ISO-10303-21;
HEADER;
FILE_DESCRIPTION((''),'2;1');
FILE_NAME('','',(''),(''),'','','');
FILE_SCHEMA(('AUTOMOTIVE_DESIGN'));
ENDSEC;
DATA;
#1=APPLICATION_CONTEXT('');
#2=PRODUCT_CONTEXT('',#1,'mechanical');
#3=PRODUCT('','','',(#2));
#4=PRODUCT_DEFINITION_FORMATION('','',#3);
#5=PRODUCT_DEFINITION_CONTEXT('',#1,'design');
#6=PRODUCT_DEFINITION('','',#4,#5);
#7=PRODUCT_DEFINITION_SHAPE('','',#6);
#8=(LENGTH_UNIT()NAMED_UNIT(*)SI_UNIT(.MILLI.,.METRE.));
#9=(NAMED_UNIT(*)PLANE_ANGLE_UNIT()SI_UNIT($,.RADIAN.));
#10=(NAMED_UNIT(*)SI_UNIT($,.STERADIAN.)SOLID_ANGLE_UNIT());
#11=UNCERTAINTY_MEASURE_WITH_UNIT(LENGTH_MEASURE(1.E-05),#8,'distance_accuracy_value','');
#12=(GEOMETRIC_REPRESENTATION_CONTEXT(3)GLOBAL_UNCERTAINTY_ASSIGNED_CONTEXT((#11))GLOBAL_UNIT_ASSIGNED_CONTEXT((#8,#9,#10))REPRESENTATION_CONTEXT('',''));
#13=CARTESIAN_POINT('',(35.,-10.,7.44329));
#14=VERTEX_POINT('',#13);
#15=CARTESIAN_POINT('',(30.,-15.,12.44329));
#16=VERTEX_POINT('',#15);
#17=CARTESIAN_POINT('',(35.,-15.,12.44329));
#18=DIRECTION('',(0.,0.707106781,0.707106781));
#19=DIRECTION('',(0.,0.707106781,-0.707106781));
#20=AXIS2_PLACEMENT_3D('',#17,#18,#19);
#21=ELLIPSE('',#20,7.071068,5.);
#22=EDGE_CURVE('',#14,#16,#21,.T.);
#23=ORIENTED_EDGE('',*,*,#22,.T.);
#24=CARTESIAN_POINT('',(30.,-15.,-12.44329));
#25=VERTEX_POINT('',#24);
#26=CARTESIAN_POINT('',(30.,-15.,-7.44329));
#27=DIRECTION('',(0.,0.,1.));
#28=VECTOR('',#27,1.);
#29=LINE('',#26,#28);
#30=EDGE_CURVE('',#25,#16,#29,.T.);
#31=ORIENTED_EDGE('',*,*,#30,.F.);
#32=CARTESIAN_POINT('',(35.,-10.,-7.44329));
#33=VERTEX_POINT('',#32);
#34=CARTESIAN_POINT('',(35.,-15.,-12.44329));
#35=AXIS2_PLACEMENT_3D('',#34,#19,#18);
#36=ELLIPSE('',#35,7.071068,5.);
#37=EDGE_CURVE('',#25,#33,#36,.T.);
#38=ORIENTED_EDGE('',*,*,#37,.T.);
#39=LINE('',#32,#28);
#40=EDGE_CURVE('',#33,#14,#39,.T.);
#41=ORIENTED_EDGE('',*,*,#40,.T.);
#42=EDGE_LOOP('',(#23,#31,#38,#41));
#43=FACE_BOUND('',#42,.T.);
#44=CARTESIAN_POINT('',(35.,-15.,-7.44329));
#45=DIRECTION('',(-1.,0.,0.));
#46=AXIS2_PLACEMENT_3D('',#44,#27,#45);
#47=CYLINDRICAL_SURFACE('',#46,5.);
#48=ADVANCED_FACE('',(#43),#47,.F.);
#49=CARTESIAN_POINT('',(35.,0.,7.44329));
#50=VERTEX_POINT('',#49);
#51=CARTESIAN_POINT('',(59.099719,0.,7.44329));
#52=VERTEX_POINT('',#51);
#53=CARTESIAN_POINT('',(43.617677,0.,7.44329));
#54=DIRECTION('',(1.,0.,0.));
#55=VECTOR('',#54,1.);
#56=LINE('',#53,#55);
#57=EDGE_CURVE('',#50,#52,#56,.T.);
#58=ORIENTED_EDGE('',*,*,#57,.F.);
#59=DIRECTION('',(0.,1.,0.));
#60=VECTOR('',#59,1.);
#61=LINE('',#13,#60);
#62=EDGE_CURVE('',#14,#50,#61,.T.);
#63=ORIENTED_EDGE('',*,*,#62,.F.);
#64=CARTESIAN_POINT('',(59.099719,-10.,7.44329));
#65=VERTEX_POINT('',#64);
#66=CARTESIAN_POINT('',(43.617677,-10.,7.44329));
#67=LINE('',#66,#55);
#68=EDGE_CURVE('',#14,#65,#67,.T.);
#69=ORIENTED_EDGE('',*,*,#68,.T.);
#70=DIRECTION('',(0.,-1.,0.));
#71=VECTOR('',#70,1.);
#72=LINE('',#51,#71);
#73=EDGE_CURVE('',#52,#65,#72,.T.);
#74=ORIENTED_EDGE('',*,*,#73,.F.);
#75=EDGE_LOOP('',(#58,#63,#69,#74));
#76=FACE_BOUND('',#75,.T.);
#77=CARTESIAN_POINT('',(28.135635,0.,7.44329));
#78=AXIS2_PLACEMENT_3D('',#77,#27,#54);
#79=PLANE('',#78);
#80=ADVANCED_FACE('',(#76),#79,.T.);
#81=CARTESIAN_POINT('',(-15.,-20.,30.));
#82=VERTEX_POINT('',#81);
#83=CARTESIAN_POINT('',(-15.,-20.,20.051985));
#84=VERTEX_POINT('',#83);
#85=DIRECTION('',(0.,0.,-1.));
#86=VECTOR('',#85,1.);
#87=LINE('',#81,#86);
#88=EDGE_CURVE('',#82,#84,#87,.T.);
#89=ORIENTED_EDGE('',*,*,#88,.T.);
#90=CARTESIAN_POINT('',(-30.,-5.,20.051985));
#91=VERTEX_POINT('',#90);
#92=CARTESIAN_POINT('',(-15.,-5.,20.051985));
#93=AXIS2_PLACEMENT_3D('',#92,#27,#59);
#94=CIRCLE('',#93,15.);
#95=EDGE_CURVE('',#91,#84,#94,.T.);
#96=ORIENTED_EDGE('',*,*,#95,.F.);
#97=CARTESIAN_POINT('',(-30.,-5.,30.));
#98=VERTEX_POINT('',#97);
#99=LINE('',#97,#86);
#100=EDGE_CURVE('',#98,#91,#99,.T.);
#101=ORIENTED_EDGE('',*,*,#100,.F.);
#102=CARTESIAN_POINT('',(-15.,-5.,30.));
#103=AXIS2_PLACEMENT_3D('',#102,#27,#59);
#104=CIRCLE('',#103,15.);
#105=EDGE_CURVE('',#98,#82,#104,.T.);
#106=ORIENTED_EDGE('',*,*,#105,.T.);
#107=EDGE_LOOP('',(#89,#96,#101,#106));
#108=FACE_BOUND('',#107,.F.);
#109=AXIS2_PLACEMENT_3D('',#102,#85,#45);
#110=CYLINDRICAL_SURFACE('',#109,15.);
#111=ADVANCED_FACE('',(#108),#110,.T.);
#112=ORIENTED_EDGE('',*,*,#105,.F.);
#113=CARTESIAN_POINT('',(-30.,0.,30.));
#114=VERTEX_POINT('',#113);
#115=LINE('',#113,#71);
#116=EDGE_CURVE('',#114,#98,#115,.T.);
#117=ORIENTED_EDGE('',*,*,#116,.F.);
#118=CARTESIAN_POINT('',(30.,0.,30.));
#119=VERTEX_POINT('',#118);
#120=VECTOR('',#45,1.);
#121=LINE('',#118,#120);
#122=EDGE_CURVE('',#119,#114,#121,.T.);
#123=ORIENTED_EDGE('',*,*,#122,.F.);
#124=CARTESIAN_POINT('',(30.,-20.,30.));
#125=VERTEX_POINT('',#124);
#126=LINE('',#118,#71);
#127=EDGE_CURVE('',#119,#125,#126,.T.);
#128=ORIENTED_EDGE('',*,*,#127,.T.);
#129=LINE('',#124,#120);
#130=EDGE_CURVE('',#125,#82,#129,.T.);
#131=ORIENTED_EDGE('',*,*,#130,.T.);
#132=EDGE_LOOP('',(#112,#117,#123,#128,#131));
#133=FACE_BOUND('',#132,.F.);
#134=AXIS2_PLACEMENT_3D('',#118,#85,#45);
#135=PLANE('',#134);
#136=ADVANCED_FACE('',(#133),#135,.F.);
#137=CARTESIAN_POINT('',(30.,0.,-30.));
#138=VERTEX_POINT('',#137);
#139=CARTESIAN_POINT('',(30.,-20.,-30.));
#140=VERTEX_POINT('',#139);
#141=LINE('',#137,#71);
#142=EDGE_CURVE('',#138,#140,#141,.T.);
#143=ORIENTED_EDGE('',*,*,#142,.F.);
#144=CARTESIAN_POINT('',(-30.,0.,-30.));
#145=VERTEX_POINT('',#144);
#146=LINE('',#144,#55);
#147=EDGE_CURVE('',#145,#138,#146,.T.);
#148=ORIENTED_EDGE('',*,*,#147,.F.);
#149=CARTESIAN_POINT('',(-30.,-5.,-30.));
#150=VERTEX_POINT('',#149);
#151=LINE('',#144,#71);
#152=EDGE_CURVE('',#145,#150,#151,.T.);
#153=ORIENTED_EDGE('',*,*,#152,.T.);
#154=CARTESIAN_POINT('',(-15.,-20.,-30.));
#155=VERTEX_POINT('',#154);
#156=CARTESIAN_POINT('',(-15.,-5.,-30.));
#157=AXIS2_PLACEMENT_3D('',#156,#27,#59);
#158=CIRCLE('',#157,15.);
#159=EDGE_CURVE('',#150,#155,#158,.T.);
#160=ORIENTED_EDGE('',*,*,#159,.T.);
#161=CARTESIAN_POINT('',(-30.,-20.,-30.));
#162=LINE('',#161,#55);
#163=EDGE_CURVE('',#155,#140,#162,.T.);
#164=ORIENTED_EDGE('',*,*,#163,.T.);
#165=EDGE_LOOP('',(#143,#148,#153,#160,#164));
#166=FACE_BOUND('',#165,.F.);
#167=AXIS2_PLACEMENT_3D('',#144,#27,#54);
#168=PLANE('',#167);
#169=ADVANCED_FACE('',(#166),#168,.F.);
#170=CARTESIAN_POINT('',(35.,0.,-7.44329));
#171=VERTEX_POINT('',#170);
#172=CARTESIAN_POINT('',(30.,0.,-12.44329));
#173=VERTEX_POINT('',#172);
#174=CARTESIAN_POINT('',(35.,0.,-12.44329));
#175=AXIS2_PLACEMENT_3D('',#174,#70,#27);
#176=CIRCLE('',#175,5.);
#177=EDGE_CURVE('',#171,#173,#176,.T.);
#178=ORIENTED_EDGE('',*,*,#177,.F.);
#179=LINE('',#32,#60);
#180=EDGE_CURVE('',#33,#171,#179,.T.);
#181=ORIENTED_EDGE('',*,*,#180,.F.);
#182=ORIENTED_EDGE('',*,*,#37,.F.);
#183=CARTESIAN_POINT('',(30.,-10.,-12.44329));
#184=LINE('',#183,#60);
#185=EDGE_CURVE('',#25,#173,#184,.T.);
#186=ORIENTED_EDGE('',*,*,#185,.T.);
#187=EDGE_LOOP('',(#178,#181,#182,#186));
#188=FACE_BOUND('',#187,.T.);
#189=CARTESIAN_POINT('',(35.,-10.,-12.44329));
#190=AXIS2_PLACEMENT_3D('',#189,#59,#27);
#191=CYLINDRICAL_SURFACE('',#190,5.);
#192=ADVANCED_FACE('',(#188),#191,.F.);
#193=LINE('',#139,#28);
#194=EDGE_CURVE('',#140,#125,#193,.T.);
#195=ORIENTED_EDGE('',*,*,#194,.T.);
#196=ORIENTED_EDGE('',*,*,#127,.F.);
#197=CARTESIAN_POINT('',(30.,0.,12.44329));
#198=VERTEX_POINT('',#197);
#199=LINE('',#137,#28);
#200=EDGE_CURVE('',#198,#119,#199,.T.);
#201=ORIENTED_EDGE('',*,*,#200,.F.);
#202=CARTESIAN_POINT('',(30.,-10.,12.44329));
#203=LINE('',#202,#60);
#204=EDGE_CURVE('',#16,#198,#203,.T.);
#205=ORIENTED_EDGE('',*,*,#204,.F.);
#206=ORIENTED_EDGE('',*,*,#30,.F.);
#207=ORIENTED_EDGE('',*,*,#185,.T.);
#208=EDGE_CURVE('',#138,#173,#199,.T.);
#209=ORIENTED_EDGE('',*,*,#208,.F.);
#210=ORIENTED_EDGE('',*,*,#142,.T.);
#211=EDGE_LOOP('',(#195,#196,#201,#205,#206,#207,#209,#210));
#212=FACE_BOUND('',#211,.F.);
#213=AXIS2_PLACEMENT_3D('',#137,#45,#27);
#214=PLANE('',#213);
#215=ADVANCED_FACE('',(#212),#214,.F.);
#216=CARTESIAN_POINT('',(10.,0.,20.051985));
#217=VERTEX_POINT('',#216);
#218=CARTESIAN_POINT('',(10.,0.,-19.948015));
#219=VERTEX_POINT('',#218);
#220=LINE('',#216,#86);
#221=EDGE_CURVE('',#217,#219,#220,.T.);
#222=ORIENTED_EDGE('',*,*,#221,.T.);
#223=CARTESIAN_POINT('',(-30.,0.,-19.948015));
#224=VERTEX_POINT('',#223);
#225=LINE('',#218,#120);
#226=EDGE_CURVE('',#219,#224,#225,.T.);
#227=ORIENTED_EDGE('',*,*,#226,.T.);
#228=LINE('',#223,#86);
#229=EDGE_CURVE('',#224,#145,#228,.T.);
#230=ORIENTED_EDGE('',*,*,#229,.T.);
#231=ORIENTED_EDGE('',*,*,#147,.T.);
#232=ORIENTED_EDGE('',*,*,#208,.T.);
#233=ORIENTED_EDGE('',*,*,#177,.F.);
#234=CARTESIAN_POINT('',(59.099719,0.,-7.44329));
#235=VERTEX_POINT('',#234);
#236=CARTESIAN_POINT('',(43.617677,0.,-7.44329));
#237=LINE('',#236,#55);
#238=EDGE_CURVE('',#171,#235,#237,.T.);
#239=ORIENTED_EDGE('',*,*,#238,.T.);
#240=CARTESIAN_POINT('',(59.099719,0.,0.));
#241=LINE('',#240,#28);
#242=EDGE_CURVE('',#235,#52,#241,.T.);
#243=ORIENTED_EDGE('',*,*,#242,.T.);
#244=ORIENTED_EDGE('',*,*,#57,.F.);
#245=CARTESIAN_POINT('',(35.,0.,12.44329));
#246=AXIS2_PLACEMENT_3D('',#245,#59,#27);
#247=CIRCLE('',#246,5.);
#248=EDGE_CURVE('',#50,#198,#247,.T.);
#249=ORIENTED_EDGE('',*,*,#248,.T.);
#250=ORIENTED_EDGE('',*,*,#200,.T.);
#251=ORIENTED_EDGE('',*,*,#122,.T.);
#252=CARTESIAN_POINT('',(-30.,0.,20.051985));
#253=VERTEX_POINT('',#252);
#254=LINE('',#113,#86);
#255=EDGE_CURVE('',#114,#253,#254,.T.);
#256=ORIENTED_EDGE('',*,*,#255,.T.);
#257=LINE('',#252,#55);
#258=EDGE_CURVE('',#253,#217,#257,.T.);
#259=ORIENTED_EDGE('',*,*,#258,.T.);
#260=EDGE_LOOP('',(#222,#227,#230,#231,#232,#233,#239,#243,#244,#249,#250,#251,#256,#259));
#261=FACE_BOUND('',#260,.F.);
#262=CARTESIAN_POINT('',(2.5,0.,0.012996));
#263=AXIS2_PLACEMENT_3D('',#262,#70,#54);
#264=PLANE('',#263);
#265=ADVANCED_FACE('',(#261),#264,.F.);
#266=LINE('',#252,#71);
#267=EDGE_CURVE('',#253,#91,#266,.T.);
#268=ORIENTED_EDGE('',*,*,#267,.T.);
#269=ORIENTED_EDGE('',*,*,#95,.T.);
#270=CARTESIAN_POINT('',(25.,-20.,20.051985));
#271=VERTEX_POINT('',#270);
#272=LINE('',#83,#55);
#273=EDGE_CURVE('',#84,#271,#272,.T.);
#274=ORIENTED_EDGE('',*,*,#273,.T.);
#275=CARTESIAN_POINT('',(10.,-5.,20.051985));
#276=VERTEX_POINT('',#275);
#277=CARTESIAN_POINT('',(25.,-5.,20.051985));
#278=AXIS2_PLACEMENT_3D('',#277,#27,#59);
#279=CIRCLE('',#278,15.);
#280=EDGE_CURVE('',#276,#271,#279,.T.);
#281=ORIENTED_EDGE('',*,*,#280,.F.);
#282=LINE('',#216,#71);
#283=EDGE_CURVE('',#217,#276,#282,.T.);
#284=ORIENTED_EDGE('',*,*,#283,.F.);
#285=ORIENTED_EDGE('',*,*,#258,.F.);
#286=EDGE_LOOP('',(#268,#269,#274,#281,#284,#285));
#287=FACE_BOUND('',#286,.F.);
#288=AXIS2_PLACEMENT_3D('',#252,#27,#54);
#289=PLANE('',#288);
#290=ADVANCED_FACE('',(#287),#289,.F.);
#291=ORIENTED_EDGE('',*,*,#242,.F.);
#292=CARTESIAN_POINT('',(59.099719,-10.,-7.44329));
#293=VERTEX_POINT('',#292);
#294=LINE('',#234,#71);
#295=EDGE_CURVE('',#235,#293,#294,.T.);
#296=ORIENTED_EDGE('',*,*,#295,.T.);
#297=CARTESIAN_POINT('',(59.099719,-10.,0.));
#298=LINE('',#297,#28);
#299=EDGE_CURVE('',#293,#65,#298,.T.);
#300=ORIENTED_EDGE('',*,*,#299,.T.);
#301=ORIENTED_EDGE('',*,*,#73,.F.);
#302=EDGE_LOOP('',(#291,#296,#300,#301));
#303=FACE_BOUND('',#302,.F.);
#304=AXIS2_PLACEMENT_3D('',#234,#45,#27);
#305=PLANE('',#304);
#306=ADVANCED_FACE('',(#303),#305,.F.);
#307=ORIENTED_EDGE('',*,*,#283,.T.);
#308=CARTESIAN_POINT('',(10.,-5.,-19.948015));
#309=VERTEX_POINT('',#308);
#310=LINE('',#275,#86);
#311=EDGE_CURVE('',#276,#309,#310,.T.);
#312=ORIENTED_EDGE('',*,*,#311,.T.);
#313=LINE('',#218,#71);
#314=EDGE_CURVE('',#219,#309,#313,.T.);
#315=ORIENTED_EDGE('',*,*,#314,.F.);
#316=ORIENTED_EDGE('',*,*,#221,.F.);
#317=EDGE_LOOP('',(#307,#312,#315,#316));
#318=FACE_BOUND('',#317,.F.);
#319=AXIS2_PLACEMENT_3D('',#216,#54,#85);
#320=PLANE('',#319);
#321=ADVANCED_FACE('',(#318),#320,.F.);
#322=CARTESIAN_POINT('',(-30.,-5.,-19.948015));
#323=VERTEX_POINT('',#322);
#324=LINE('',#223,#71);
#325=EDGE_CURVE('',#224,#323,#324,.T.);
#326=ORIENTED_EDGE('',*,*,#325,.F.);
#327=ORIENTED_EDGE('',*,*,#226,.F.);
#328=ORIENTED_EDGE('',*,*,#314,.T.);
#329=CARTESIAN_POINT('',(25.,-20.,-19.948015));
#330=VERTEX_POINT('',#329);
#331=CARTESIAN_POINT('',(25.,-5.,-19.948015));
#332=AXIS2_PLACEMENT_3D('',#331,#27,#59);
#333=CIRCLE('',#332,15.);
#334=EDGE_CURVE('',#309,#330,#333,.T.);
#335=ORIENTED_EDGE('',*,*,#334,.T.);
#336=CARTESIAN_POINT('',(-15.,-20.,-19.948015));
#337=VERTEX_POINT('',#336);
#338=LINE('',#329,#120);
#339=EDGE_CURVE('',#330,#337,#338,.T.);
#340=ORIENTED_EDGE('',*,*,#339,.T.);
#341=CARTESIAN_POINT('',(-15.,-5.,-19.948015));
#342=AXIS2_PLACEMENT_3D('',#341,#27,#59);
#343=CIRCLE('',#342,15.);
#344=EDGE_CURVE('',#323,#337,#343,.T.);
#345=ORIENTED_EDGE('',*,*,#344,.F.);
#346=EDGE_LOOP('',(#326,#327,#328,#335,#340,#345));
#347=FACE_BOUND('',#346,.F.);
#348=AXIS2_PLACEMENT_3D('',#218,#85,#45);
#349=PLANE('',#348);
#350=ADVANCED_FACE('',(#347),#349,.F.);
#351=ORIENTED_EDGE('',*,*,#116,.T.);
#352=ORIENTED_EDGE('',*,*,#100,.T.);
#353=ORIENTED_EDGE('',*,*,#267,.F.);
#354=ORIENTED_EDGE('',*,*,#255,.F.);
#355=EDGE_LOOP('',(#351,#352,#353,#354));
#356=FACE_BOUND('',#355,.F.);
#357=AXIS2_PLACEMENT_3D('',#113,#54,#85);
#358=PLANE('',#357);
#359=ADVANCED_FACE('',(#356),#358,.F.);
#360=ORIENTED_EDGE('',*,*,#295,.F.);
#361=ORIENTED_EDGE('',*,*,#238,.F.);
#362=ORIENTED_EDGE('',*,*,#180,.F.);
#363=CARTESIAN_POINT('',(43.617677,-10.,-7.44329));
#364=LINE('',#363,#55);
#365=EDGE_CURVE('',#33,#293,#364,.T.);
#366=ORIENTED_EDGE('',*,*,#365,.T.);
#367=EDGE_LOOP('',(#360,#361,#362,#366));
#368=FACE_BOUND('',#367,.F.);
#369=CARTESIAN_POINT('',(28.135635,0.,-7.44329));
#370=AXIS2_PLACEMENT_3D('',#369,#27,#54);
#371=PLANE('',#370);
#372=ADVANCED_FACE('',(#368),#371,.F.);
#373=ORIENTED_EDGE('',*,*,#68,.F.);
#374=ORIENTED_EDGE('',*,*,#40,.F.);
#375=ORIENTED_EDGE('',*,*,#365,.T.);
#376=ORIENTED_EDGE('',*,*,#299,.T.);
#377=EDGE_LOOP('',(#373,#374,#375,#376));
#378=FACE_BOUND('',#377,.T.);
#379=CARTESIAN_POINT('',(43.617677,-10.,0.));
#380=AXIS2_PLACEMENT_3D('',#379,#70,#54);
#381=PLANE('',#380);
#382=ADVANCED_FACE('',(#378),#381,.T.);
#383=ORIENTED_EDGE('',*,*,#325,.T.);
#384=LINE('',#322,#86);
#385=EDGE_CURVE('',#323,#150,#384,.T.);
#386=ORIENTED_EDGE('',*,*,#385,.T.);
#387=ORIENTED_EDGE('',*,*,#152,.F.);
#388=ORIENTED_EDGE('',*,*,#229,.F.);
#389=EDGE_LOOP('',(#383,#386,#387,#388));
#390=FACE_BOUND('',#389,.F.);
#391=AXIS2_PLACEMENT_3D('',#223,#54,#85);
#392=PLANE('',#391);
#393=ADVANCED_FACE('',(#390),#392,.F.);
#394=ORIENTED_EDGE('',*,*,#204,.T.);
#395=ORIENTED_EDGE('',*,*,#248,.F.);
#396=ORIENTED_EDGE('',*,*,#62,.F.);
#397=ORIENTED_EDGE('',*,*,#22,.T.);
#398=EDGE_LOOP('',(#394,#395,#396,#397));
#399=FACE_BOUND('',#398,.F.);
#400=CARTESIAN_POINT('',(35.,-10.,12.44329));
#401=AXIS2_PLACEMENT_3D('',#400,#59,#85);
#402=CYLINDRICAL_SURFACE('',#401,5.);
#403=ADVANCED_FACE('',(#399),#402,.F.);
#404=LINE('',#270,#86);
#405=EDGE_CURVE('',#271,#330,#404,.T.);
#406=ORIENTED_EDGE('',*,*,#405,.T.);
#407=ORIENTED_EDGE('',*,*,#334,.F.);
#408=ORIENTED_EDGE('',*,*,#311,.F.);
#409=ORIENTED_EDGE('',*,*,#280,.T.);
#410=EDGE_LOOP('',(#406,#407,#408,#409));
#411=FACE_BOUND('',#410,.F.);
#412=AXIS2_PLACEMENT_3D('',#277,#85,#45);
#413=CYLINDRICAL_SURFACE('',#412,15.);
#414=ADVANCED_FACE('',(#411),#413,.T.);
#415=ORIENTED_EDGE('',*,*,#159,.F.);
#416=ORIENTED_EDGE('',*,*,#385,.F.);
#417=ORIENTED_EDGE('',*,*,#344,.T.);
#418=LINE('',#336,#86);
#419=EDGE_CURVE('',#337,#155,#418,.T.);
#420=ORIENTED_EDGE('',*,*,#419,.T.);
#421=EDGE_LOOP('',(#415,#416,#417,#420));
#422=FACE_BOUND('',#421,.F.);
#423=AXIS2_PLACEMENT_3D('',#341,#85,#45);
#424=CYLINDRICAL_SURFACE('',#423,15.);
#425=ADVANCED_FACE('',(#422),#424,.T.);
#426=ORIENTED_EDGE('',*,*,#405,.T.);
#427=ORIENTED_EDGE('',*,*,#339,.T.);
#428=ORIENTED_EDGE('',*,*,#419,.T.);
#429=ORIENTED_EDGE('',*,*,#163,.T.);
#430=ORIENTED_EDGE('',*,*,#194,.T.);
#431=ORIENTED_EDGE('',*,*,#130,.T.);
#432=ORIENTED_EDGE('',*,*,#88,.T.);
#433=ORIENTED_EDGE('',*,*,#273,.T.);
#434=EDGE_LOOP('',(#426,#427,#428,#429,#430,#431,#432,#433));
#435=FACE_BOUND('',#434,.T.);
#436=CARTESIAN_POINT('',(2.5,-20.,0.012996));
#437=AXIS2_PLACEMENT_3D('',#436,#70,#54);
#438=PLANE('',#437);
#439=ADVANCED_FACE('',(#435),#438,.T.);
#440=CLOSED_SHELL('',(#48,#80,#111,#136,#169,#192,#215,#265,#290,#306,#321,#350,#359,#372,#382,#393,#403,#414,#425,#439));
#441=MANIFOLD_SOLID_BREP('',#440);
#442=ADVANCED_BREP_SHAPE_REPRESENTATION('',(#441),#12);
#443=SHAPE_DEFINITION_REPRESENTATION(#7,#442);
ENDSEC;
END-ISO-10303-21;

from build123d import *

# Parameters (mm, degrees)
F1_DEPTH = 20
F2_R     = 15
F3_W     = 30.964084
F3_H     = 14.88658
F4_DEPTH = 10
F5_R     = 5


with BuildPart() as f1:
    # F0 (on Front) → F1 (new body)
    with BuildSketch(Plane.XZ):
        Polygon((30, 30), (-30, 30), (-30, 20.051985), (10, 20.051985), (10, -19.948015), (-30, -19.948015), (-30, -30), (30, -30), align=None)
    extrude(amount=F1_DEPTH)

    # F2
    f2_edges = [f1.edges().sort_by_distance(p)[0] for p in [
        (10, -20, 0.051985),
        (-30, -20, -24.974007),
        (-30, -20, 25.025993),
    ]]
    fillet(f2_edges, radius=F2_R)

    # F3 (on Front) → F4 (join)
    with BuildSketch(Plane.XZ):
        with Locations((43.617677, 0)):
            Rectangle(F3_W, F3_H)
    extrude(amount=F4_DEPTH)

    # F5
    f5_edges = [f1.edges().sort_by_distance(p)[0] for p in [
        (30, -5, 7.44329),
        (30, -10, 0),
        (30, -5, -7.44329),
    ]]
    fillet(f5_edges, radius=F5_R)


solid = f1.part
